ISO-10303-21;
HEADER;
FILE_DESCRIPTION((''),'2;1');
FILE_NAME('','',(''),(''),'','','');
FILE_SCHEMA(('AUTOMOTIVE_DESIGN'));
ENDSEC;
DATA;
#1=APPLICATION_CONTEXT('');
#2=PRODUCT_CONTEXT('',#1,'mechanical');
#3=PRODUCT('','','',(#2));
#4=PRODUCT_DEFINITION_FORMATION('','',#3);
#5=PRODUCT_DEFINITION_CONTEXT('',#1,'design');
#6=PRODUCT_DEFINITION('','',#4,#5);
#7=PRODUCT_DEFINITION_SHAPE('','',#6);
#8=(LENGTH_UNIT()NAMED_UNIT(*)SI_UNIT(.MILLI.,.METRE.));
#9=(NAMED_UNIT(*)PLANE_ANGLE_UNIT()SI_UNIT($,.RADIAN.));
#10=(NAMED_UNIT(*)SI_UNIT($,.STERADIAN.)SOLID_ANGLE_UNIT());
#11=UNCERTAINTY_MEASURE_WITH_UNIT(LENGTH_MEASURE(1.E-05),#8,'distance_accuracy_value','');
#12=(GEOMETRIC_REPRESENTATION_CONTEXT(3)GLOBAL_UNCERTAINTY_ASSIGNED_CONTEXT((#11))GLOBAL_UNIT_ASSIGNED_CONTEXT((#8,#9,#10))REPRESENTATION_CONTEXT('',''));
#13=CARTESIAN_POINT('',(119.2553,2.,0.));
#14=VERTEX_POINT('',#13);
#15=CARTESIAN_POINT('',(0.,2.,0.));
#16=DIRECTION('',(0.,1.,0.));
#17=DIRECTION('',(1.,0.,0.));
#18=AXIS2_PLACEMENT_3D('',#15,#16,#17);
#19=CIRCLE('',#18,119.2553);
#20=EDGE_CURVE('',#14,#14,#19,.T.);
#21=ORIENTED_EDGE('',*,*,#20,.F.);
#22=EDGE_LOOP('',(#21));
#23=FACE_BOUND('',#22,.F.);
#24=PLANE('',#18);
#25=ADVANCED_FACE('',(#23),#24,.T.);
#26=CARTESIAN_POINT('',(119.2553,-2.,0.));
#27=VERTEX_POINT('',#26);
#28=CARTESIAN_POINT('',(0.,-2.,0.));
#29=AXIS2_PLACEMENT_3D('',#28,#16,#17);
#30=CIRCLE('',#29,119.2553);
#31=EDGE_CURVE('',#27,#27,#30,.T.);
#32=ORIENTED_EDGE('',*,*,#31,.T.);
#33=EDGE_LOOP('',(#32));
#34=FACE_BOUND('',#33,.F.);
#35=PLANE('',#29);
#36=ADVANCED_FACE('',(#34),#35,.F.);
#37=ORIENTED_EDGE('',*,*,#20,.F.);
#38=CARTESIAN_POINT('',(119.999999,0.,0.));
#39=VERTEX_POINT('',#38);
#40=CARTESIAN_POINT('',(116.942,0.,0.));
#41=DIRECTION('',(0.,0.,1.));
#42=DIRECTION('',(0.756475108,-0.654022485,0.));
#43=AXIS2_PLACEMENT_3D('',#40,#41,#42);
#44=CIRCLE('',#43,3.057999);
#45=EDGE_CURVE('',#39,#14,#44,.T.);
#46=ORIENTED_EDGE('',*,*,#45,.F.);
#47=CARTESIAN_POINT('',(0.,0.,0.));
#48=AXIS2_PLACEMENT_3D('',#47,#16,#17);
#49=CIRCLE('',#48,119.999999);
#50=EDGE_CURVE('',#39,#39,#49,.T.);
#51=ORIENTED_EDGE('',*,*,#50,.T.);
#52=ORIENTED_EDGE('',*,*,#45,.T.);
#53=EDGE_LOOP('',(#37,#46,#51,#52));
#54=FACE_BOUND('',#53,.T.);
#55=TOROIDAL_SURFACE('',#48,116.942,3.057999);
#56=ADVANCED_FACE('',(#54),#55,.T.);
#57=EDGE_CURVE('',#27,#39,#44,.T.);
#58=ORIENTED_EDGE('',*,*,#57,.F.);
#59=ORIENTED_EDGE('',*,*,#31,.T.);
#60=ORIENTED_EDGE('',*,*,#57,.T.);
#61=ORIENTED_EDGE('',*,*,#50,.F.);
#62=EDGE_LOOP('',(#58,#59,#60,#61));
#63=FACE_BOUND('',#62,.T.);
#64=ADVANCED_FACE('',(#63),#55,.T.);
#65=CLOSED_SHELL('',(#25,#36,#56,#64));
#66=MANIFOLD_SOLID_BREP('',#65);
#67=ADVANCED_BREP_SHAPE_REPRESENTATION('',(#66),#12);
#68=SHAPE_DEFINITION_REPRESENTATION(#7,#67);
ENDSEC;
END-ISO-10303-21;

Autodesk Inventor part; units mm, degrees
ref_plane "YZ Plane" through (0, 0, 0) normal (1, 0, 0) x (0, 1, 0)
ref_plane "XZ Plane" through (0, 0, 0) normal (0, 1, 0) x (-1, 0, 0)
ref_plane "XY Plane" through (0, 0, 0) normal (0, 0, 1) x (1, 0, 0)
sketch "Sketch2" plane through (0, 0, 0) normal (0, 0, 1) x (1, 0, 0)
  line L0 (0, 0) -> (0, 37.9803)
  line L1 (0, 2) -> (119.2553, 2)
  line L2 (119.2553, 2) -> (119.2553, -2)
  line L3 (119.2553, -2) -> (0, -2)
  line L4 (0, -2) -> (0, 2)
  line L5 (-24, 0) -> (144, 0) projected
  arc A0 (119.2553, -2) -> (119.2553, 2) centre (116.942, 0) ccw
  line L6 (120, 0) -> (120, 4.9863) construction
  point P0 (119.2553, 0)
  dimension "d3" = 4
  dimension "d4" = 240
revolve "Revolution1" add sketch "Sketch2" angle 360 about axis through (0, 0, 0) along (0, 1, 0)
properties part number "Antireflective Glass" material "Glass"
